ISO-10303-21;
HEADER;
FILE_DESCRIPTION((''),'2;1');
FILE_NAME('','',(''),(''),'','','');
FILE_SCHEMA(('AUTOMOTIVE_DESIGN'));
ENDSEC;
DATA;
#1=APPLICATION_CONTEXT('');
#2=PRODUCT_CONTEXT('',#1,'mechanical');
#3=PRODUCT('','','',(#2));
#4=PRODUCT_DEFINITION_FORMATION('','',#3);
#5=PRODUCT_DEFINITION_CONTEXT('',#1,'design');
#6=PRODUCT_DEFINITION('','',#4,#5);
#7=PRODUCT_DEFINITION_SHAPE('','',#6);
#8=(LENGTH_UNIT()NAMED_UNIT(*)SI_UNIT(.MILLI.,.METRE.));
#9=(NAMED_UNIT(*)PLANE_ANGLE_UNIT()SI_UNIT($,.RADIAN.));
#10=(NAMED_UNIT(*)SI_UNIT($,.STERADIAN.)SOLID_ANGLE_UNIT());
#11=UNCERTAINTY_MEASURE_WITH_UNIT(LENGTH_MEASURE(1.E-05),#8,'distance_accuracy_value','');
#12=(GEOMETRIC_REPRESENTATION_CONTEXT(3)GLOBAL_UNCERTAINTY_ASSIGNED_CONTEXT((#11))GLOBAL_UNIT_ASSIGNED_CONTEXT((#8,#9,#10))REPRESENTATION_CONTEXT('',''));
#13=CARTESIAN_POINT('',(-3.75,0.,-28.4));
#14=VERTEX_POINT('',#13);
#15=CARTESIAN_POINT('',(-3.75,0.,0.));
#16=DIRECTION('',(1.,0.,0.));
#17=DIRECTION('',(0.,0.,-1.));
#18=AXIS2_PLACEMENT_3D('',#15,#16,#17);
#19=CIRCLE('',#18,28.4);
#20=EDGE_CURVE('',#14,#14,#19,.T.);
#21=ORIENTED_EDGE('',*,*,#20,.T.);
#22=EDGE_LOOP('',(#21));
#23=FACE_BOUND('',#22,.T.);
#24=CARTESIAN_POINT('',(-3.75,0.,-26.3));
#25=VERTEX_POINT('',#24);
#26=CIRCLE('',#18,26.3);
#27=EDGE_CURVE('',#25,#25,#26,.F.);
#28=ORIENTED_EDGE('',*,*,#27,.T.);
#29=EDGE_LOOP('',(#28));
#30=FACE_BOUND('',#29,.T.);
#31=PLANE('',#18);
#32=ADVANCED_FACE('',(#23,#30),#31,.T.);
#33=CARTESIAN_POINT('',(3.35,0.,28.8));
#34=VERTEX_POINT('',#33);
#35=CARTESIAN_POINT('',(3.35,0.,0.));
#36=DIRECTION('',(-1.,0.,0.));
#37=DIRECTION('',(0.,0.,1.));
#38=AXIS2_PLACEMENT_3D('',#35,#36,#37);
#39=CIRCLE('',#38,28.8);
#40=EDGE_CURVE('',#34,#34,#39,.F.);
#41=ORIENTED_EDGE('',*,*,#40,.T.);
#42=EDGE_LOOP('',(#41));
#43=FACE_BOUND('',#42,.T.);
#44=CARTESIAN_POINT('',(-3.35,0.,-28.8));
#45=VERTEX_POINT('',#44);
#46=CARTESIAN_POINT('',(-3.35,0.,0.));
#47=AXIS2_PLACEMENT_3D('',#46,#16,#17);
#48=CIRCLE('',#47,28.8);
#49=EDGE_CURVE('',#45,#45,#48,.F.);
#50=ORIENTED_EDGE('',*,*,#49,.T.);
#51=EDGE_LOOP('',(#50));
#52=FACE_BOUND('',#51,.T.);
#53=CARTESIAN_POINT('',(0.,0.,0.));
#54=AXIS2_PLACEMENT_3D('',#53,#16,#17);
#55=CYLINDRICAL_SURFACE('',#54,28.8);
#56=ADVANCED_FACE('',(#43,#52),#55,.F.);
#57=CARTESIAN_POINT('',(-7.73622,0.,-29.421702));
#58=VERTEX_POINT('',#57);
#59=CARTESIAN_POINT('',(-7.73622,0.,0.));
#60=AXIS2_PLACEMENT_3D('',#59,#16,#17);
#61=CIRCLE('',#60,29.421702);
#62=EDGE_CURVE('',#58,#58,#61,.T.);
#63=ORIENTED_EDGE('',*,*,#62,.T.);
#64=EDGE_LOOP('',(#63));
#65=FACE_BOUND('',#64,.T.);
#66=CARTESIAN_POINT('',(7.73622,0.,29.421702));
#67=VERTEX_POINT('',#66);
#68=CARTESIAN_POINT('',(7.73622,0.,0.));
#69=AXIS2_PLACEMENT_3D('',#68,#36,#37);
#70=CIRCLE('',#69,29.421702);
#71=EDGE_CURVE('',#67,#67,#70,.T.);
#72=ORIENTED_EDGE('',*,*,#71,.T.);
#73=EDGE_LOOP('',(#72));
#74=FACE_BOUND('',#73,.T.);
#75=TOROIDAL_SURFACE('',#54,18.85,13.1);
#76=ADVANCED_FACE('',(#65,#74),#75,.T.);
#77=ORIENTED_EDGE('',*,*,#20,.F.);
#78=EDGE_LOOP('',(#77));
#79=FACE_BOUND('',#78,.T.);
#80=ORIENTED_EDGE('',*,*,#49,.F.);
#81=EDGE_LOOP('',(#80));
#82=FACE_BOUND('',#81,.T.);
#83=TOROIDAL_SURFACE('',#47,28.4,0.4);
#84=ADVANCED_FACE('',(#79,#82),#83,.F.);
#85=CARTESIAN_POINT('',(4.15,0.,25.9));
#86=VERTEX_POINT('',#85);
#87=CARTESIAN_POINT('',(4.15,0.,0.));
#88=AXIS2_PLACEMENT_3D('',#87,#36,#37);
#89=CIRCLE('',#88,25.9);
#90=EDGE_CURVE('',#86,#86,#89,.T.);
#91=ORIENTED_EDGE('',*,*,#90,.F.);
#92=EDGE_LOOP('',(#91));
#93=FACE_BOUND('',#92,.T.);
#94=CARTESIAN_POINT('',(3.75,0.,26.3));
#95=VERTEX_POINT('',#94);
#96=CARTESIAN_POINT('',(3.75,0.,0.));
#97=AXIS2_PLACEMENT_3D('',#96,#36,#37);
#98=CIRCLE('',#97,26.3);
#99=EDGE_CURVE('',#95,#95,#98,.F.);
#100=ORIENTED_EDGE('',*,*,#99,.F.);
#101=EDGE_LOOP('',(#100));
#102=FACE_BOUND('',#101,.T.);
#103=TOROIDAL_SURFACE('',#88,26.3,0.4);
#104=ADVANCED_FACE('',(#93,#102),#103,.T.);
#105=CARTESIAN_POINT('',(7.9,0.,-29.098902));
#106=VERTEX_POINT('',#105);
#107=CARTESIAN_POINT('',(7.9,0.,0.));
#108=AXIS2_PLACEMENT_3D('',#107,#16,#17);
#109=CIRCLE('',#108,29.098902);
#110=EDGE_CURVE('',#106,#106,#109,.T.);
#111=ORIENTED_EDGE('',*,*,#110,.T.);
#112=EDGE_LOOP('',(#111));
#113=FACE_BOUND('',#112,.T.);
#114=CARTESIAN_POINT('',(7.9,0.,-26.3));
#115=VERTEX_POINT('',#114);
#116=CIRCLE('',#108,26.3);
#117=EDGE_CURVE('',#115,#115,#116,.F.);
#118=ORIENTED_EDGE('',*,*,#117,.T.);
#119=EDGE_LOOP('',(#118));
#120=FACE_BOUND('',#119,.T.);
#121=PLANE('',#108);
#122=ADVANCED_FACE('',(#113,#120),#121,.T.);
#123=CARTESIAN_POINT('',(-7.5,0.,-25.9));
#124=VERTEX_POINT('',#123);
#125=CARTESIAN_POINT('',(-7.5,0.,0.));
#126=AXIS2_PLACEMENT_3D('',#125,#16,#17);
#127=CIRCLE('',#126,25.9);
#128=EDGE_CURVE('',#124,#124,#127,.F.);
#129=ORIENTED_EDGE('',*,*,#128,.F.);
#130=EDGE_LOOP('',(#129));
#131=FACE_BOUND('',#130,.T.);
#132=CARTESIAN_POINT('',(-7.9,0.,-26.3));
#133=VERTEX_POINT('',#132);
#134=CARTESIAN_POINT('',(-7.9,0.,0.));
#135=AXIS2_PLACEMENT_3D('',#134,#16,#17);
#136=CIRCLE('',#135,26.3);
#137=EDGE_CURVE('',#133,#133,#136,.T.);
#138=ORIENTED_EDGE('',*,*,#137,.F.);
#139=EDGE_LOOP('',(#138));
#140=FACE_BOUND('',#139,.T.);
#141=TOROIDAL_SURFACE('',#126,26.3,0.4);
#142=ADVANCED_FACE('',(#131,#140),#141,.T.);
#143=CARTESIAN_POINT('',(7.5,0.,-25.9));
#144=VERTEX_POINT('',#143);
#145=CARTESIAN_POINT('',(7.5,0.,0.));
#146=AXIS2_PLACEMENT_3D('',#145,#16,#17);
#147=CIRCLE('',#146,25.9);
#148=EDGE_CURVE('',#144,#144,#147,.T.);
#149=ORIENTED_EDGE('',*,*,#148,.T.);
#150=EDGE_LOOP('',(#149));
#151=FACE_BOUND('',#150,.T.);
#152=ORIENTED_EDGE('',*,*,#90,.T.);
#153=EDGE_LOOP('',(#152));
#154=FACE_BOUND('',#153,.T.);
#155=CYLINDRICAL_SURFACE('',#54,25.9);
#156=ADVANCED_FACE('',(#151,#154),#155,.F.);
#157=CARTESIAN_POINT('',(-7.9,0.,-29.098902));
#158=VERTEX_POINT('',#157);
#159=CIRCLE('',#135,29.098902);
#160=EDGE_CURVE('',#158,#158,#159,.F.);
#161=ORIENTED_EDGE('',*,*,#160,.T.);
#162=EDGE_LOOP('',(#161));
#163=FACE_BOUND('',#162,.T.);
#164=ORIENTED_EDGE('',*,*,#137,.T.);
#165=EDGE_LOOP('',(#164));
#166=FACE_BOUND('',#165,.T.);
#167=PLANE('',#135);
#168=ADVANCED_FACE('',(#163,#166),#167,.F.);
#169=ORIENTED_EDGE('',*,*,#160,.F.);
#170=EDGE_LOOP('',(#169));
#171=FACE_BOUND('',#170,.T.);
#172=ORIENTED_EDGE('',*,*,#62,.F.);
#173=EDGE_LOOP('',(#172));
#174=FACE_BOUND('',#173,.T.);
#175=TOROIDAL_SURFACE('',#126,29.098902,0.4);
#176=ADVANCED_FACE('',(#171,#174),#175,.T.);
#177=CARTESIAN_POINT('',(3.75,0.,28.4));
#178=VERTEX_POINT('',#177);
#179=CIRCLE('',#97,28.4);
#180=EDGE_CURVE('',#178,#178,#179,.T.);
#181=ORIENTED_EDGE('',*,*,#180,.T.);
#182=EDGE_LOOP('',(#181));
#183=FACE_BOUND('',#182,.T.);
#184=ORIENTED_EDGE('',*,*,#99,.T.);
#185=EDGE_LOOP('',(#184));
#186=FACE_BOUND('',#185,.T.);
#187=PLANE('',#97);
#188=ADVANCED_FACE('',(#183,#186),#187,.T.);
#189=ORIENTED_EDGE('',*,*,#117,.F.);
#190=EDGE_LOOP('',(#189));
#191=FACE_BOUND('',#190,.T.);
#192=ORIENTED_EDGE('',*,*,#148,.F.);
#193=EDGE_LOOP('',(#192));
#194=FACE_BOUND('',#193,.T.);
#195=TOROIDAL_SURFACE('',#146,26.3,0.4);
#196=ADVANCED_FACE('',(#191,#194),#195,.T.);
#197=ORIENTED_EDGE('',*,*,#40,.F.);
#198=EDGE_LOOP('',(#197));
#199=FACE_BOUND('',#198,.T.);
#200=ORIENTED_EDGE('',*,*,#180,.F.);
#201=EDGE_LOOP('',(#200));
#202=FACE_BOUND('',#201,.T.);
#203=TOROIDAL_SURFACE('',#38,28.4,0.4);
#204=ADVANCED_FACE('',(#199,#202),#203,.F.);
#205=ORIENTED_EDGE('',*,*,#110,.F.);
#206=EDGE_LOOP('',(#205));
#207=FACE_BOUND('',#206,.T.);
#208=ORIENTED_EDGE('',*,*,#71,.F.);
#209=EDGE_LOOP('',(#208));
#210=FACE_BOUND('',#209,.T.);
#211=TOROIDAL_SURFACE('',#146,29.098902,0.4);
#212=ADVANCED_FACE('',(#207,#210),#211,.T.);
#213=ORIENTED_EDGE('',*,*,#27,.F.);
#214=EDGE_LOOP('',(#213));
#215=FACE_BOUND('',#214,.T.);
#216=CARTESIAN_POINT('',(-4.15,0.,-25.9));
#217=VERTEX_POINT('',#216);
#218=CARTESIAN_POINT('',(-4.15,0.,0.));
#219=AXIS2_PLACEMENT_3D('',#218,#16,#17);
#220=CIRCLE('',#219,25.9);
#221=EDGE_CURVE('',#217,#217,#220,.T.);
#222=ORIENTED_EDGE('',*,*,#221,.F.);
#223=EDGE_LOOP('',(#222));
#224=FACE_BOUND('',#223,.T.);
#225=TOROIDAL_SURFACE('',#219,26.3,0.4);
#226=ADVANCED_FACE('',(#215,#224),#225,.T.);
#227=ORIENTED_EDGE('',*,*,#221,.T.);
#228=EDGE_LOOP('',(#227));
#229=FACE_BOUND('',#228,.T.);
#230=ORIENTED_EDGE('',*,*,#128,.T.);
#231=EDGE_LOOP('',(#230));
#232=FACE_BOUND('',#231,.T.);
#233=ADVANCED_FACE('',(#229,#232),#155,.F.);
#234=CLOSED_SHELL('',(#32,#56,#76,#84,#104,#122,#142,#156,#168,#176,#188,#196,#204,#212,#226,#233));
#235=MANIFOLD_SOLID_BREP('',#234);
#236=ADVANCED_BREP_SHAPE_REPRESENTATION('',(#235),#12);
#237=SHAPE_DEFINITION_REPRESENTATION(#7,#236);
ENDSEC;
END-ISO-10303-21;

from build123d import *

# Parameters (mm, degrees)
FILLET_1_R = 0.4


with BuildPart() as part:
    # Эскиз1 → Повернуть1 (revolve)
    with BuildSketch(Plane.XY):
        with BuildLine():
            Line((7.9, 25.9), (7.9, 29.299880382))
            ThreePointArc((7.9, 29.299880382), (0, 31.95), (-7.9, 29.299880382))
            Line((-7.9, 29.299880382), (-7.9, 25.9))
            Line((-7.9, 25.9), (-3.75, 25.9))
            Line((-3.75, 25.9), (-3.75, 28.8))
            Line((-3.75, 28.8), (3.75, 28.8))
            Line((3.75, 28.8), (3.75, 25.9))
            Line((3.75, 25.9), (7.9, 25.9))
        make_face()
    revolve(axis=Axis((0, 0, 0), (-1, 0, 0)))

    # Скругление1
    fillet_1_edges = [part.edges().sort_by_distance(p)[0] for p in [
        (-7.9, -29.299880382, 0),
        (7.9, -29.299880382, 0),
        (7.9, -25.9, 0),
        (3.75, -25.9, 0),
        (3.75, -28.8, 0),
        (-3.75, -28.8, 0),
        (-3.75, -25.9, 0),
        (-7.9, -25.9, 0),
    ]]
    fillet(fillet_1_edges, radius=FILLET_1_R)


solid = part.part
